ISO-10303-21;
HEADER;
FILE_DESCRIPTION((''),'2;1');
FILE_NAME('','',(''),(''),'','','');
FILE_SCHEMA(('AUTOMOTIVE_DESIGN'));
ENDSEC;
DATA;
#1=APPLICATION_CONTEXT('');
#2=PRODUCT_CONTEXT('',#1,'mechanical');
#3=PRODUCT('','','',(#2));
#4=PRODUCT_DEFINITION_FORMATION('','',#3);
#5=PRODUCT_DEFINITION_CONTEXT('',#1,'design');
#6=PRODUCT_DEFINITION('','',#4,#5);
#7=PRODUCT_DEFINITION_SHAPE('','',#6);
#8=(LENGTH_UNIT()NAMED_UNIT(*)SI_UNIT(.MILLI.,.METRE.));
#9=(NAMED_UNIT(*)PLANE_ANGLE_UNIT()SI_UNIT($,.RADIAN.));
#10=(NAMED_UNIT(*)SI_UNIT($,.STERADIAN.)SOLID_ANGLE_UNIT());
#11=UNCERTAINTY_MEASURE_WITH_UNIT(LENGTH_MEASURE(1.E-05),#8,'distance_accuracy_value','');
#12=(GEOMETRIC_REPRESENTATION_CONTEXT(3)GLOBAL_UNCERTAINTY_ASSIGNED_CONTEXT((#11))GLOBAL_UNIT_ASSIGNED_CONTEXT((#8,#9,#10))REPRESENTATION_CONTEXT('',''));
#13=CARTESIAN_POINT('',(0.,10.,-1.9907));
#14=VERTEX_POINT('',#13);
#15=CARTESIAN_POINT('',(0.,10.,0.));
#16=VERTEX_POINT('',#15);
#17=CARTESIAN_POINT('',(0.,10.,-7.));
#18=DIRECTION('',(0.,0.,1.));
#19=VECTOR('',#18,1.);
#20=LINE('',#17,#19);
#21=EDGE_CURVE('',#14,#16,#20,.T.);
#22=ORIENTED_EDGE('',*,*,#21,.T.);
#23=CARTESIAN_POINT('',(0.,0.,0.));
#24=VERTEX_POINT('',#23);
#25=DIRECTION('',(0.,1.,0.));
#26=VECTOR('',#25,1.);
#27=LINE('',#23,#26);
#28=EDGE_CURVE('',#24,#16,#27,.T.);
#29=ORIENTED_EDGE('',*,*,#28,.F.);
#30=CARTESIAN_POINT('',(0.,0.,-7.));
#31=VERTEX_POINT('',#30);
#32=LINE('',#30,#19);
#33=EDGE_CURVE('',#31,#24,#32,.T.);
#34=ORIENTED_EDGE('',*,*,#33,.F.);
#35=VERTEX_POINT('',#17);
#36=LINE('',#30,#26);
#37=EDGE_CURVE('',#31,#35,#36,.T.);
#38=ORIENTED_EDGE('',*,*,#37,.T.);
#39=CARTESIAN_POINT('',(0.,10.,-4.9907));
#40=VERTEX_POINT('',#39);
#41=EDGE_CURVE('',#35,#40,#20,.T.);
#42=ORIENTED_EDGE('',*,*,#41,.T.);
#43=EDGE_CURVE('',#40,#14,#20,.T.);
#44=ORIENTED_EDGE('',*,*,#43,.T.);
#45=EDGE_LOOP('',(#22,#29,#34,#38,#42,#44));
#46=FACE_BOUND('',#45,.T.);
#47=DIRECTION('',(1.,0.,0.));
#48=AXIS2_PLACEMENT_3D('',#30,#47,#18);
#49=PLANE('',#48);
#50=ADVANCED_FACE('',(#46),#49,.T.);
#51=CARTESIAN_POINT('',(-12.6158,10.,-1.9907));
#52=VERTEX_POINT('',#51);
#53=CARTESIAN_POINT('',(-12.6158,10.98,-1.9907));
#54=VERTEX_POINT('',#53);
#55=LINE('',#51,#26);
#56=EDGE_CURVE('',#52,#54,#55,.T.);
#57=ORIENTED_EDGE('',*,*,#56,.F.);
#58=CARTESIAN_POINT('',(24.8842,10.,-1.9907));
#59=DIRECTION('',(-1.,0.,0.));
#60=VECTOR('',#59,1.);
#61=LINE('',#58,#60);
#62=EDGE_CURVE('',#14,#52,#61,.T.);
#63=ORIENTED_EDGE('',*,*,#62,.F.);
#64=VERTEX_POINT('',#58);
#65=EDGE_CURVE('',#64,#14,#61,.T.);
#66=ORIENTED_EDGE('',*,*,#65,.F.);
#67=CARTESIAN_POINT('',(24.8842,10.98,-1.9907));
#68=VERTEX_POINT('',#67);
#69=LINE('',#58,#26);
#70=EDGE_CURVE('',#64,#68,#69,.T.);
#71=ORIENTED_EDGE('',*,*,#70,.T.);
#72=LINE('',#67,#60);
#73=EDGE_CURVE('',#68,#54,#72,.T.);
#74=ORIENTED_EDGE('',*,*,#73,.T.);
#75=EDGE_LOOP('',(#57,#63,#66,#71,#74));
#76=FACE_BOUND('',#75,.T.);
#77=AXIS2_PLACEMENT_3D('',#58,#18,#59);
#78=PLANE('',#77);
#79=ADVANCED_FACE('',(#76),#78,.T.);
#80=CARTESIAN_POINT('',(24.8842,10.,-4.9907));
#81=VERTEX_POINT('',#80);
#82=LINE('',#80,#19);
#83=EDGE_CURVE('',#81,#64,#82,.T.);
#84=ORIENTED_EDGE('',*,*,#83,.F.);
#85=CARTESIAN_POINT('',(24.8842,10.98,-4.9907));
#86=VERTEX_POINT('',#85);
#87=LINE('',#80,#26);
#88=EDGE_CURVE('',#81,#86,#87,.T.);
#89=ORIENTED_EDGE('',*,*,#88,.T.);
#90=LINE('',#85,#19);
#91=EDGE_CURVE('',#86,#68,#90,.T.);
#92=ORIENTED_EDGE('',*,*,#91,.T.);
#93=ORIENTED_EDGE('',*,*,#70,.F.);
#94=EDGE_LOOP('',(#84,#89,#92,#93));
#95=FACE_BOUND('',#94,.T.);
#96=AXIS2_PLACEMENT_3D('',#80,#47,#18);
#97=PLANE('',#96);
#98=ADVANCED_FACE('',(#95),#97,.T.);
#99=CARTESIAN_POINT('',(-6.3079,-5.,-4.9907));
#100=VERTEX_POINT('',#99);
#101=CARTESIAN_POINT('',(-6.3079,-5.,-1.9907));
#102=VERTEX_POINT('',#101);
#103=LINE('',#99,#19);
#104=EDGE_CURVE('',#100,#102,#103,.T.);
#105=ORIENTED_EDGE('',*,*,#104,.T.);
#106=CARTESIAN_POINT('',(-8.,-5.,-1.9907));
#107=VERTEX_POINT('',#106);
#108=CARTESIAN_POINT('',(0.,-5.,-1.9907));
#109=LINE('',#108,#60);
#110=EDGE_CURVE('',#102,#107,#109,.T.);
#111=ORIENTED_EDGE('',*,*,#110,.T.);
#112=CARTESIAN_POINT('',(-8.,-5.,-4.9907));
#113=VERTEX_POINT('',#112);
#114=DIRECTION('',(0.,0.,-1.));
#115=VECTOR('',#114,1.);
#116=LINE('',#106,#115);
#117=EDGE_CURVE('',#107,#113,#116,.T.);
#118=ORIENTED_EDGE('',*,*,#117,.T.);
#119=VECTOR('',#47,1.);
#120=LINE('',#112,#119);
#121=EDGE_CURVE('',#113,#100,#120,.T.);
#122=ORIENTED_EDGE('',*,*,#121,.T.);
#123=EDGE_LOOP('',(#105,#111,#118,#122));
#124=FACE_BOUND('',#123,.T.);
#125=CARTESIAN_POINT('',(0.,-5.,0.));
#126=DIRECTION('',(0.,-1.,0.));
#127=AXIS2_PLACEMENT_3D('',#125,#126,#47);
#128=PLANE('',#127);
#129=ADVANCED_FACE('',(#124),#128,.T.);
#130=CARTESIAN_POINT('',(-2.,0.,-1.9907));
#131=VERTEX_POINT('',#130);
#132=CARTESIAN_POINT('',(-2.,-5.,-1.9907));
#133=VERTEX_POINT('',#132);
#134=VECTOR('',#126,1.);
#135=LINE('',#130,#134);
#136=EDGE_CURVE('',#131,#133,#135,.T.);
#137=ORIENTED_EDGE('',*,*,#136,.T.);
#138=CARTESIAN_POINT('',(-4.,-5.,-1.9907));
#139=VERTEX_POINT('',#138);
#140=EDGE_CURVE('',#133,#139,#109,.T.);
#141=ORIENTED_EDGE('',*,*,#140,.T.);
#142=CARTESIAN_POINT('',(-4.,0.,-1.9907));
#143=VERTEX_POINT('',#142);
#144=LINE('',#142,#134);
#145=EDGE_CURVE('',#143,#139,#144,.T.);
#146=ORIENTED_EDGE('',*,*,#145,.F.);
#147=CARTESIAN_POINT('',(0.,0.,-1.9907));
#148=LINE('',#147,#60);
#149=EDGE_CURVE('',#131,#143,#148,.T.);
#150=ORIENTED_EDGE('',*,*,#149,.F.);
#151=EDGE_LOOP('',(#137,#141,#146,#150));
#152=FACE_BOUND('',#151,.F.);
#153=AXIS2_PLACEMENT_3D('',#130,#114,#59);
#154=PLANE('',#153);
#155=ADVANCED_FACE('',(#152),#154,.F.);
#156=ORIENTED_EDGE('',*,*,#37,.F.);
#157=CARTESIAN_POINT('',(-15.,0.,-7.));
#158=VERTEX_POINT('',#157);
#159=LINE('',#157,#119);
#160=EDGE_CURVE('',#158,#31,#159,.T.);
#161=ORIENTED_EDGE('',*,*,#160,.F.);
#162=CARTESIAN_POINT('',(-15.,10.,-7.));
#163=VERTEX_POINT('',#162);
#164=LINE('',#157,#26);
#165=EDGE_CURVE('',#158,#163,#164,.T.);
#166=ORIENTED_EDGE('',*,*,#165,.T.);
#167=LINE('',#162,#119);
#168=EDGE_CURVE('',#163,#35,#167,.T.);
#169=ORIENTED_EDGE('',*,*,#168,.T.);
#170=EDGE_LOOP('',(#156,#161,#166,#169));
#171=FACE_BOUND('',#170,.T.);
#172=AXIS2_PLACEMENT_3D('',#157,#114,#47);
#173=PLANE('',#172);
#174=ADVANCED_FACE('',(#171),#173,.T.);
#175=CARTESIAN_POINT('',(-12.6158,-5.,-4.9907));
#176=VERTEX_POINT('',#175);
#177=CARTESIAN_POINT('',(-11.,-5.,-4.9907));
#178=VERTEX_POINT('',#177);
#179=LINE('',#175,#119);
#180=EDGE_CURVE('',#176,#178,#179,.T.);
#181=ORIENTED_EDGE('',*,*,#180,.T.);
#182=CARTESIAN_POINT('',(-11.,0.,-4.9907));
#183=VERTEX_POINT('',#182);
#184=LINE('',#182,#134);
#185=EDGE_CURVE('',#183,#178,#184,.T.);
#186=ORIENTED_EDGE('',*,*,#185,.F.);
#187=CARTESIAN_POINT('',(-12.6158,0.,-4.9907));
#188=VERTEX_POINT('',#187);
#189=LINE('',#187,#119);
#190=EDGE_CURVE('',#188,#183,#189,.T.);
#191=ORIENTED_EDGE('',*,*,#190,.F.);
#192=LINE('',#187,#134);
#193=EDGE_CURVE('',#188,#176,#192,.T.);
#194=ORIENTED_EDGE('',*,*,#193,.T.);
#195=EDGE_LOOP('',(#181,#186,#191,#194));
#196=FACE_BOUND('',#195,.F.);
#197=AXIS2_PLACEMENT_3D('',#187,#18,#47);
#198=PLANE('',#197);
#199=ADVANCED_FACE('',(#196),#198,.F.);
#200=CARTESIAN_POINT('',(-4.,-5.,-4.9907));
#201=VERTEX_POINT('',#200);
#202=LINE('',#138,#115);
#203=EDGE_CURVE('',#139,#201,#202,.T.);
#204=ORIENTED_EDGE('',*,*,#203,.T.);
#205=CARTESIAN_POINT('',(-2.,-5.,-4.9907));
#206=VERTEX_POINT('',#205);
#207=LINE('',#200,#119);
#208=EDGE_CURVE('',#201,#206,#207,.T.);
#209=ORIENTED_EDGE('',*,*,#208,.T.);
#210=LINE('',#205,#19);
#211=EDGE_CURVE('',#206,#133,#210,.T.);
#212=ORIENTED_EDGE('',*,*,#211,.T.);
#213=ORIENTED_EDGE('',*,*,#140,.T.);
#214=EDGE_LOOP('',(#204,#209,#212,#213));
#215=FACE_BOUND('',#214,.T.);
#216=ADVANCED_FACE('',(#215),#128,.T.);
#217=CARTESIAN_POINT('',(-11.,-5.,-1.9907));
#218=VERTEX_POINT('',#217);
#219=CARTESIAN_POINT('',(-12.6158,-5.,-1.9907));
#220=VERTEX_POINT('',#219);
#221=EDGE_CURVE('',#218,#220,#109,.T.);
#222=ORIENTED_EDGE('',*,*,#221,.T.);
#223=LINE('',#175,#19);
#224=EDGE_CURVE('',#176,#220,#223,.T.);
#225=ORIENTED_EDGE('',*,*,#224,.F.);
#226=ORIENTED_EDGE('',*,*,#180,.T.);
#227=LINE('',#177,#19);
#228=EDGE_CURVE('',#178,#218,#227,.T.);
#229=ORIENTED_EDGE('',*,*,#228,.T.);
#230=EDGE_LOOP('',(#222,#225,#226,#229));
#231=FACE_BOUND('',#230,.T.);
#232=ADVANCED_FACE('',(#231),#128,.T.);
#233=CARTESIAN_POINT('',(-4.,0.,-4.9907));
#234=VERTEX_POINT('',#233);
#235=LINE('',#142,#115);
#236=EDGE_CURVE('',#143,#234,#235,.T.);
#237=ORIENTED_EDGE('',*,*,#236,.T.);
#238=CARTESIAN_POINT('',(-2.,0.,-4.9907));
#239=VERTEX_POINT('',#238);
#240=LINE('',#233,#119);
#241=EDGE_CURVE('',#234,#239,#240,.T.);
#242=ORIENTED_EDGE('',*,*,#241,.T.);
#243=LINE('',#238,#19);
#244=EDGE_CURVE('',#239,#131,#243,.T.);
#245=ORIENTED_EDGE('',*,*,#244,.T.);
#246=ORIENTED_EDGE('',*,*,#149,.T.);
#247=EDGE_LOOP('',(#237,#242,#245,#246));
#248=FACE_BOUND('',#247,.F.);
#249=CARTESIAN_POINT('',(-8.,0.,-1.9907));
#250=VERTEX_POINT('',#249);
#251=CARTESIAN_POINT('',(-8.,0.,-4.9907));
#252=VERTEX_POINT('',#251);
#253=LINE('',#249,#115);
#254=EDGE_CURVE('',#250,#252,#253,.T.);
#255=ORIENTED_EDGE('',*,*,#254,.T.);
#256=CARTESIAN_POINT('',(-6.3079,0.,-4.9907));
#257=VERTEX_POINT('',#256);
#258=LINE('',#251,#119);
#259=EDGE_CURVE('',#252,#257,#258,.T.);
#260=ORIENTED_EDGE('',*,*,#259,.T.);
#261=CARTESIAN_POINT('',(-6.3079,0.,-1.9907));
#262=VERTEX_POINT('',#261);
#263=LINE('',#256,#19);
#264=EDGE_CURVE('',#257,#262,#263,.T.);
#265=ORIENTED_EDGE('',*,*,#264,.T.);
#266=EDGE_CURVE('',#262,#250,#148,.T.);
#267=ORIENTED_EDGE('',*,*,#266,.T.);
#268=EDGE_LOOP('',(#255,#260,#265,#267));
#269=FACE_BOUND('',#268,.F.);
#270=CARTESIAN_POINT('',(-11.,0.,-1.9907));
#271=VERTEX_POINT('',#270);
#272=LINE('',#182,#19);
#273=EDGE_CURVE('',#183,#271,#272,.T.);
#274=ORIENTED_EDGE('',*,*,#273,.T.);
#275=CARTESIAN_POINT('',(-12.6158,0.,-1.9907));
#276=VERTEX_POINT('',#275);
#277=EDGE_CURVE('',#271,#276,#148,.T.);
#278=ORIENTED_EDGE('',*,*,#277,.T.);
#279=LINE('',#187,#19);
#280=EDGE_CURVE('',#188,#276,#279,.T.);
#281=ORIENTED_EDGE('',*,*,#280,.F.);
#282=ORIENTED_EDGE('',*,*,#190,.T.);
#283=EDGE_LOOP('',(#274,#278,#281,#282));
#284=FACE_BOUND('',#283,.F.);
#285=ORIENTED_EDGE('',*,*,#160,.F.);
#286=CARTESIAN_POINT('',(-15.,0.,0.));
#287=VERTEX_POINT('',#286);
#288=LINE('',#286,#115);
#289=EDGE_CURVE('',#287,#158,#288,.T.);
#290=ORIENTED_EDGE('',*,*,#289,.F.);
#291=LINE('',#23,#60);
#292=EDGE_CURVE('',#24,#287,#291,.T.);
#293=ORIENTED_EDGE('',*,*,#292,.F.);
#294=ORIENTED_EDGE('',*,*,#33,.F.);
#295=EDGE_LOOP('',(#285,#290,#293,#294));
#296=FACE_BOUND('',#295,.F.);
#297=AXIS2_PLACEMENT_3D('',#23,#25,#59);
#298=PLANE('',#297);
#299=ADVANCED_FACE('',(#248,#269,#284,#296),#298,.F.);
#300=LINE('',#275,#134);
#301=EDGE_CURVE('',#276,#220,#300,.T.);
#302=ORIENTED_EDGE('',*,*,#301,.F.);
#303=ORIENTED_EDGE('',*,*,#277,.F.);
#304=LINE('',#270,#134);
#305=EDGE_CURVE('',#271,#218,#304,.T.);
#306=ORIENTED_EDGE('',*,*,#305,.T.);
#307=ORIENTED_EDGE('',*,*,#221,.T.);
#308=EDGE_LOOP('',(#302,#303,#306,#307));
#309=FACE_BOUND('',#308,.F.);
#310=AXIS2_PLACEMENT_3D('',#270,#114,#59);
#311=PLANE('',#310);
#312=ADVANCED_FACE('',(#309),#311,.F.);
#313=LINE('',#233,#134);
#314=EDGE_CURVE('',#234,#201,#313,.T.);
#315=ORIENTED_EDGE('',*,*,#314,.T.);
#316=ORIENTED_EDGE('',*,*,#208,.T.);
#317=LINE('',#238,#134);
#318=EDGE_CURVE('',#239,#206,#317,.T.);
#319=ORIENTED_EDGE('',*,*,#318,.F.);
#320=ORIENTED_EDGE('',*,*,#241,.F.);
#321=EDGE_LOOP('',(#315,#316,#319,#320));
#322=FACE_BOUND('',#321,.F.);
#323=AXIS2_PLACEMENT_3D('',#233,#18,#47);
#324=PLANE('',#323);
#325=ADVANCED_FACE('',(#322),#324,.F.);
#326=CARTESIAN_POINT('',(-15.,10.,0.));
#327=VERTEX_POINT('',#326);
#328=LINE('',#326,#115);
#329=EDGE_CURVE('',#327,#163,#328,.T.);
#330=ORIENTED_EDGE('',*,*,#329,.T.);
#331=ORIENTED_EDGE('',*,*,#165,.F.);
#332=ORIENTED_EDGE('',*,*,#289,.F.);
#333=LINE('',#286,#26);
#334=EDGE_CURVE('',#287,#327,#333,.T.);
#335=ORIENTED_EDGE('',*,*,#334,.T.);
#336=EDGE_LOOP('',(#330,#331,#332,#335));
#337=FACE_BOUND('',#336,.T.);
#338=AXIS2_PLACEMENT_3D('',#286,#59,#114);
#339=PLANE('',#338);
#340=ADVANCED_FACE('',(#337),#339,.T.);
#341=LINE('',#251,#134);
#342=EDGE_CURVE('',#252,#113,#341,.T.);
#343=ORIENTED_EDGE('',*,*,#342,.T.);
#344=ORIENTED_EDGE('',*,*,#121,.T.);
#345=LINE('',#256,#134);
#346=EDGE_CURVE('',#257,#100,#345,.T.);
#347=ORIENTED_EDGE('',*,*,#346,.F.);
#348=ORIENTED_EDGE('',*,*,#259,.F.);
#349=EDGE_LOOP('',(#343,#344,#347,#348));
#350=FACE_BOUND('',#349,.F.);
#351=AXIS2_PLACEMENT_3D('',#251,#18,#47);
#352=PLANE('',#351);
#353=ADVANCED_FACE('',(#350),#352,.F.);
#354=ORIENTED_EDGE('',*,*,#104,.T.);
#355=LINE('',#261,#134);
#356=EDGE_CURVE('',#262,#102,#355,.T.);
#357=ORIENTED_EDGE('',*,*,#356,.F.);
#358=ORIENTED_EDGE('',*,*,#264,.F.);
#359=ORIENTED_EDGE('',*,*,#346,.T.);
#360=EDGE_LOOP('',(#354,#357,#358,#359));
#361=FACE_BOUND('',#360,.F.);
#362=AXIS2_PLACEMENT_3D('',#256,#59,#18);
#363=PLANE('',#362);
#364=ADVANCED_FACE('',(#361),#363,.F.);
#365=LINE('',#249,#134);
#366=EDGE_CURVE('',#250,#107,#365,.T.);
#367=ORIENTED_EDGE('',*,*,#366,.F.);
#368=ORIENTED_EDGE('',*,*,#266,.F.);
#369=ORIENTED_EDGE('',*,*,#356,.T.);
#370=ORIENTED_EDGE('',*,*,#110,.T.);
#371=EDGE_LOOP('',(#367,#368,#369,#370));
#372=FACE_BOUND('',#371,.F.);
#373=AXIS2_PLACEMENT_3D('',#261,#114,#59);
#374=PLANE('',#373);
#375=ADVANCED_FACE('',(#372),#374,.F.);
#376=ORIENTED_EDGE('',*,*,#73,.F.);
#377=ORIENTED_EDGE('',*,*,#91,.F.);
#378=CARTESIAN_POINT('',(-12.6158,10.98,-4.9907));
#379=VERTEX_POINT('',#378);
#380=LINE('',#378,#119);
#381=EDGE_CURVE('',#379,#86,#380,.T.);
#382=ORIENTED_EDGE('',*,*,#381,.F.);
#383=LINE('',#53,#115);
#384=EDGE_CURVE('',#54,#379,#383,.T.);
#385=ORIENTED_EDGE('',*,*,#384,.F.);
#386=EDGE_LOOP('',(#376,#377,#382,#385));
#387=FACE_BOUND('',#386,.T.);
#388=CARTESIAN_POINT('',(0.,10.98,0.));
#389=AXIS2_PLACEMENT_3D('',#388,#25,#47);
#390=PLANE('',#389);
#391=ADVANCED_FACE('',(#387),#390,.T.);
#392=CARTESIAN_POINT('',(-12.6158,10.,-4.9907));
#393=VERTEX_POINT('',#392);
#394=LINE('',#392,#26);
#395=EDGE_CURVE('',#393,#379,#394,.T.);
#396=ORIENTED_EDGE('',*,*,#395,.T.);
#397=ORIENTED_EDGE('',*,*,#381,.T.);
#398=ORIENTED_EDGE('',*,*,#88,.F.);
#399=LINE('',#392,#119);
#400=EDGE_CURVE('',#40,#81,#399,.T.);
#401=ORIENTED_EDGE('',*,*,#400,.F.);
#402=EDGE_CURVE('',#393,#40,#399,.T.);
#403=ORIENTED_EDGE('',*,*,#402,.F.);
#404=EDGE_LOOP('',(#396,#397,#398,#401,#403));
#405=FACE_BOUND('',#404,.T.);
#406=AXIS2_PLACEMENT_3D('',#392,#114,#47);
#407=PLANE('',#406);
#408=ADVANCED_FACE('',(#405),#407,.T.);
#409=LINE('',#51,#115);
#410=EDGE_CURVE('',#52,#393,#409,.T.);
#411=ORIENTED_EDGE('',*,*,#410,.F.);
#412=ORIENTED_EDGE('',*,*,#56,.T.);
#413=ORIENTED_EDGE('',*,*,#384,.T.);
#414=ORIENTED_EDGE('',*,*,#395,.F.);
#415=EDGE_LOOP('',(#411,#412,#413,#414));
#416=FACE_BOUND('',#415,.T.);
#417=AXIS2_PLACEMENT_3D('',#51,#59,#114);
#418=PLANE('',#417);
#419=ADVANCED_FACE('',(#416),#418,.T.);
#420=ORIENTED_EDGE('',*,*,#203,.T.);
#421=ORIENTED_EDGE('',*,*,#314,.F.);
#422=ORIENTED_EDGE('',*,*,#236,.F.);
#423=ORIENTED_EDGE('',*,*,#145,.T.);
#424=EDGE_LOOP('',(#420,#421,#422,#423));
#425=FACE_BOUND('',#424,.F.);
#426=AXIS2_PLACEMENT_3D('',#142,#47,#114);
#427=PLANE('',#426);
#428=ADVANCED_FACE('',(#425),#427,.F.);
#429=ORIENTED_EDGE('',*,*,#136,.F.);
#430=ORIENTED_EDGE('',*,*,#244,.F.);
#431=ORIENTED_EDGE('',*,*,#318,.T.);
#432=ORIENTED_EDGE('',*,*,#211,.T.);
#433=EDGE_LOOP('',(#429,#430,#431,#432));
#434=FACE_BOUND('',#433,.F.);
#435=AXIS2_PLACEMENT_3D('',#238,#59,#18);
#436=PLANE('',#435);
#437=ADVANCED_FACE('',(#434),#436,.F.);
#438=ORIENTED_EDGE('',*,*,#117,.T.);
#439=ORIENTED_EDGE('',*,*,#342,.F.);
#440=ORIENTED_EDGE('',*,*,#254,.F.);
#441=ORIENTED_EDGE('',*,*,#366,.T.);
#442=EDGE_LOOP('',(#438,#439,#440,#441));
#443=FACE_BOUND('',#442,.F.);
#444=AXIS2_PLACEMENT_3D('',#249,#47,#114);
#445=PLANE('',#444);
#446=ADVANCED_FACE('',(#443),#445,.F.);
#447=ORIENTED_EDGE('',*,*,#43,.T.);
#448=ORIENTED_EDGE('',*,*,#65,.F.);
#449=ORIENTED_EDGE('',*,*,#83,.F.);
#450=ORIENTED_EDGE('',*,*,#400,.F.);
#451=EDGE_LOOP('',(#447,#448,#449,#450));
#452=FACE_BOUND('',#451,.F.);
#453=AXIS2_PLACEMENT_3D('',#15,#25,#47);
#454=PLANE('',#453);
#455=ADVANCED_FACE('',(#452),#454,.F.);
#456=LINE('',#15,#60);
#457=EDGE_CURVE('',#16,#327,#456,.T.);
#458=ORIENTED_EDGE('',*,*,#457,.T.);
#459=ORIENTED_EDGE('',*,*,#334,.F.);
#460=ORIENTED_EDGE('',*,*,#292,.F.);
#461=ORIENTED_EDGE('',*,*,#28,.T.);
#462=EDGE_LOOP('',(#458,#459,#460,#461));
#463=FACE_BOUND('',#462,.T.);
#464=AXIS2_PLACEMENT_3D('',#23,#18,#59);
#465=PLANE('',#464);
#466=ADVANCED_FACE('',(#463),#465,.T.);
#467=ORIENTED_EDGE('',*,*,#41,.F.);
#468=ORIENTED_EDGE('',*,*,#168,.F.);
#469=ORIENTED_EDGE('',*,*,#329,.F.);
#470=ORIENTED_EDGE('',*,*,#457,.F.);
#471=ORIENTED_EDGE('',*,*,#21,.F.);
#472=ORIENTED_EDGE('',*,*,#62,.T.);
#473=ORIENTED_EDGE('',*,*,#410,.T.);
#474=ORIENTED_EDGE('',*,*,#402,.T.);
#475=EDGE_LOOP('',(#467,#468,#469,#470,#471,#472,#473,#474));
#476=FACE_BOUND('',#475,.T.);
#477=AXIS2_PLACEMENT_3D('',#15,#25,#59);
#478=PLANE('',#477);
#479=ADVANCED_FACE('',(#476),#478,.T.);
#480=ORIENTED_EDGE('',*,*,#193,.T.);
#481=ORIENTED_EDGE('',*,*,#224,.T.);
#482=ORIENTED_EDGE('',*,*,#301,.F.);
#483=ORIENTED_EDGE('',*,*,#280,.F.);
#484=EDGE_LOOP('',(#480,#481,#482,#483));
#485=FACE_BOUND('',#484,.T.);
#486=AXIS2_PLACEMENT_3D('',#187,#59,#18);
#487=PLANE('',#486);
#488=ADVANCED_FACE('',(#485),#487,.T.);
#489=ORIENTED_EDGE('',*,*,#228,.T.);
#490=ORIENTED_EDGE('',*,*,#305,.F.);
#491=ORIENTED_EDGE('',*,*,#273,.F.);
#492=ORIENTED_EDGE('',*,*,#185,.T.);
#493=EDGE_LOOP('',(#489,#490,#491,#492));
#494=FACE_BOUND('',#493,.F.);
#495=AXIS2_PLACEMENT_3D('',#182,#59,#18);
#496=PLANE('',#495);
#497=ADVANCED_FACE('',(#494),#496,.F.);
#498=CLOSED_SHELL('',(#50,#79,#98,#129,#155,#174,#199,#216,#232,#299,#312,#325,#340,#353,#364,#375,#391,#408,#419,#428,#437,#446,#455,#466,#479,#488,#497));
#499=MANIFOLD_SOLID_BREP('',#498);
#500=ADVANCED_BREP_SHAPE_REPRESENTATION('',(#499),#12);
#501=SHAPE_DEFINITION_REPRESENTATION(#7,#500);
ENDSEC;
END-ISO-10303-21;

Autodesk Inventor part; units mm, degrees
ref_plane "YZ Plane" through (0, 0, 0) normal (1, 0, 0) x (0, 1, 0)
ref_plane "XZ Plane" through (0, 0, 0) normal (0, 1, 0) x (-1, 0, 0)
ref_plane "XY Plane" through (0, 0, 0) normal (0, 0, 1) x (1, 0, 0)
sketch "Sketch1" plane through (0, 0, 0) normal (0, 1, 0) x (-1, 0, 0)
  line L0 (0, 0) -> (15, 0)
  line L1 (15, 0) -> (15, -7)
  line L2 (15, -7) -> (0, -7)
  line L3 (0, -7) -> (0, 0)
  dimension "d0" = 15
  dimension "d1" = 7
extrude "Extrusion1" add sketch "Sketch1" along normal blind 10
sketch "Sketch2" plane through (0, 10, 0) normal (0, 1, 0) x (1, 0, 0)
  line L0 (-12.6158, 4.9907) -> (24.8842, 4.9907)
  line L1 (24.8842, 4.9907) -> (24.8842, 1.9907)
  line L2 (24.8842, 1.9907) -> (-12.6158, 1.9907)
  line L3 (-12.6158, 1.9907) -> (-12.6158, 4.9907)
  point P0 (0, 0)
  dimension "d4" = 37.5
  dimension "d5" = 3
extrude "Extrusion2" add sketch "Sketch2" along normal blind 0.98
sketch "Sketch3" plane through (0, 0, 0) normal (0, -1, 0) x (1, 0, 0)
  line L0 (-12.6158, -4.9907) -> (-12.6158, -1.9907) projected
  line L1 (0, -1.9907) -> (-12.6158, -1.9907) projected
  line L2 (-12.6158, -4.9907) -> (-11, -4.9907)
  line L3 (-11, -4.9907) -> (-11, -1.9907)
  line L4 (-11, -1.9907) -> (-12.6158, -1.9907)
  line L5 (-12.6158, -1.9907) -> (-12.6158, -4.9907)
  line L6 (-8, -4.9907) -> (-6.3079, -4.9907)
  line L7 (-6.3079, -4.9907) -> (-6.3079, -1.9907)
  line L8 (-6.3079, -1.9907) -> (-8, -1.9907)
  line L9 (-8, -1.9907) -> (-8, -4.9907)
  line L10 (-4, -4.9907) -> (-2, -4.9907)
  line L11 (-2, -4.9907) -> (-2, -1.9907)
  line L12 (-2, -1.9907) -> (-4, -1.9907)
  line L13 (-4, -1.9907) -> (-4, -4.9907)
  point P0 (0, 0)
extrude "Extrusion3" add sketch "Sketch3" along normal blind 5
properties part number "limit_switch"
